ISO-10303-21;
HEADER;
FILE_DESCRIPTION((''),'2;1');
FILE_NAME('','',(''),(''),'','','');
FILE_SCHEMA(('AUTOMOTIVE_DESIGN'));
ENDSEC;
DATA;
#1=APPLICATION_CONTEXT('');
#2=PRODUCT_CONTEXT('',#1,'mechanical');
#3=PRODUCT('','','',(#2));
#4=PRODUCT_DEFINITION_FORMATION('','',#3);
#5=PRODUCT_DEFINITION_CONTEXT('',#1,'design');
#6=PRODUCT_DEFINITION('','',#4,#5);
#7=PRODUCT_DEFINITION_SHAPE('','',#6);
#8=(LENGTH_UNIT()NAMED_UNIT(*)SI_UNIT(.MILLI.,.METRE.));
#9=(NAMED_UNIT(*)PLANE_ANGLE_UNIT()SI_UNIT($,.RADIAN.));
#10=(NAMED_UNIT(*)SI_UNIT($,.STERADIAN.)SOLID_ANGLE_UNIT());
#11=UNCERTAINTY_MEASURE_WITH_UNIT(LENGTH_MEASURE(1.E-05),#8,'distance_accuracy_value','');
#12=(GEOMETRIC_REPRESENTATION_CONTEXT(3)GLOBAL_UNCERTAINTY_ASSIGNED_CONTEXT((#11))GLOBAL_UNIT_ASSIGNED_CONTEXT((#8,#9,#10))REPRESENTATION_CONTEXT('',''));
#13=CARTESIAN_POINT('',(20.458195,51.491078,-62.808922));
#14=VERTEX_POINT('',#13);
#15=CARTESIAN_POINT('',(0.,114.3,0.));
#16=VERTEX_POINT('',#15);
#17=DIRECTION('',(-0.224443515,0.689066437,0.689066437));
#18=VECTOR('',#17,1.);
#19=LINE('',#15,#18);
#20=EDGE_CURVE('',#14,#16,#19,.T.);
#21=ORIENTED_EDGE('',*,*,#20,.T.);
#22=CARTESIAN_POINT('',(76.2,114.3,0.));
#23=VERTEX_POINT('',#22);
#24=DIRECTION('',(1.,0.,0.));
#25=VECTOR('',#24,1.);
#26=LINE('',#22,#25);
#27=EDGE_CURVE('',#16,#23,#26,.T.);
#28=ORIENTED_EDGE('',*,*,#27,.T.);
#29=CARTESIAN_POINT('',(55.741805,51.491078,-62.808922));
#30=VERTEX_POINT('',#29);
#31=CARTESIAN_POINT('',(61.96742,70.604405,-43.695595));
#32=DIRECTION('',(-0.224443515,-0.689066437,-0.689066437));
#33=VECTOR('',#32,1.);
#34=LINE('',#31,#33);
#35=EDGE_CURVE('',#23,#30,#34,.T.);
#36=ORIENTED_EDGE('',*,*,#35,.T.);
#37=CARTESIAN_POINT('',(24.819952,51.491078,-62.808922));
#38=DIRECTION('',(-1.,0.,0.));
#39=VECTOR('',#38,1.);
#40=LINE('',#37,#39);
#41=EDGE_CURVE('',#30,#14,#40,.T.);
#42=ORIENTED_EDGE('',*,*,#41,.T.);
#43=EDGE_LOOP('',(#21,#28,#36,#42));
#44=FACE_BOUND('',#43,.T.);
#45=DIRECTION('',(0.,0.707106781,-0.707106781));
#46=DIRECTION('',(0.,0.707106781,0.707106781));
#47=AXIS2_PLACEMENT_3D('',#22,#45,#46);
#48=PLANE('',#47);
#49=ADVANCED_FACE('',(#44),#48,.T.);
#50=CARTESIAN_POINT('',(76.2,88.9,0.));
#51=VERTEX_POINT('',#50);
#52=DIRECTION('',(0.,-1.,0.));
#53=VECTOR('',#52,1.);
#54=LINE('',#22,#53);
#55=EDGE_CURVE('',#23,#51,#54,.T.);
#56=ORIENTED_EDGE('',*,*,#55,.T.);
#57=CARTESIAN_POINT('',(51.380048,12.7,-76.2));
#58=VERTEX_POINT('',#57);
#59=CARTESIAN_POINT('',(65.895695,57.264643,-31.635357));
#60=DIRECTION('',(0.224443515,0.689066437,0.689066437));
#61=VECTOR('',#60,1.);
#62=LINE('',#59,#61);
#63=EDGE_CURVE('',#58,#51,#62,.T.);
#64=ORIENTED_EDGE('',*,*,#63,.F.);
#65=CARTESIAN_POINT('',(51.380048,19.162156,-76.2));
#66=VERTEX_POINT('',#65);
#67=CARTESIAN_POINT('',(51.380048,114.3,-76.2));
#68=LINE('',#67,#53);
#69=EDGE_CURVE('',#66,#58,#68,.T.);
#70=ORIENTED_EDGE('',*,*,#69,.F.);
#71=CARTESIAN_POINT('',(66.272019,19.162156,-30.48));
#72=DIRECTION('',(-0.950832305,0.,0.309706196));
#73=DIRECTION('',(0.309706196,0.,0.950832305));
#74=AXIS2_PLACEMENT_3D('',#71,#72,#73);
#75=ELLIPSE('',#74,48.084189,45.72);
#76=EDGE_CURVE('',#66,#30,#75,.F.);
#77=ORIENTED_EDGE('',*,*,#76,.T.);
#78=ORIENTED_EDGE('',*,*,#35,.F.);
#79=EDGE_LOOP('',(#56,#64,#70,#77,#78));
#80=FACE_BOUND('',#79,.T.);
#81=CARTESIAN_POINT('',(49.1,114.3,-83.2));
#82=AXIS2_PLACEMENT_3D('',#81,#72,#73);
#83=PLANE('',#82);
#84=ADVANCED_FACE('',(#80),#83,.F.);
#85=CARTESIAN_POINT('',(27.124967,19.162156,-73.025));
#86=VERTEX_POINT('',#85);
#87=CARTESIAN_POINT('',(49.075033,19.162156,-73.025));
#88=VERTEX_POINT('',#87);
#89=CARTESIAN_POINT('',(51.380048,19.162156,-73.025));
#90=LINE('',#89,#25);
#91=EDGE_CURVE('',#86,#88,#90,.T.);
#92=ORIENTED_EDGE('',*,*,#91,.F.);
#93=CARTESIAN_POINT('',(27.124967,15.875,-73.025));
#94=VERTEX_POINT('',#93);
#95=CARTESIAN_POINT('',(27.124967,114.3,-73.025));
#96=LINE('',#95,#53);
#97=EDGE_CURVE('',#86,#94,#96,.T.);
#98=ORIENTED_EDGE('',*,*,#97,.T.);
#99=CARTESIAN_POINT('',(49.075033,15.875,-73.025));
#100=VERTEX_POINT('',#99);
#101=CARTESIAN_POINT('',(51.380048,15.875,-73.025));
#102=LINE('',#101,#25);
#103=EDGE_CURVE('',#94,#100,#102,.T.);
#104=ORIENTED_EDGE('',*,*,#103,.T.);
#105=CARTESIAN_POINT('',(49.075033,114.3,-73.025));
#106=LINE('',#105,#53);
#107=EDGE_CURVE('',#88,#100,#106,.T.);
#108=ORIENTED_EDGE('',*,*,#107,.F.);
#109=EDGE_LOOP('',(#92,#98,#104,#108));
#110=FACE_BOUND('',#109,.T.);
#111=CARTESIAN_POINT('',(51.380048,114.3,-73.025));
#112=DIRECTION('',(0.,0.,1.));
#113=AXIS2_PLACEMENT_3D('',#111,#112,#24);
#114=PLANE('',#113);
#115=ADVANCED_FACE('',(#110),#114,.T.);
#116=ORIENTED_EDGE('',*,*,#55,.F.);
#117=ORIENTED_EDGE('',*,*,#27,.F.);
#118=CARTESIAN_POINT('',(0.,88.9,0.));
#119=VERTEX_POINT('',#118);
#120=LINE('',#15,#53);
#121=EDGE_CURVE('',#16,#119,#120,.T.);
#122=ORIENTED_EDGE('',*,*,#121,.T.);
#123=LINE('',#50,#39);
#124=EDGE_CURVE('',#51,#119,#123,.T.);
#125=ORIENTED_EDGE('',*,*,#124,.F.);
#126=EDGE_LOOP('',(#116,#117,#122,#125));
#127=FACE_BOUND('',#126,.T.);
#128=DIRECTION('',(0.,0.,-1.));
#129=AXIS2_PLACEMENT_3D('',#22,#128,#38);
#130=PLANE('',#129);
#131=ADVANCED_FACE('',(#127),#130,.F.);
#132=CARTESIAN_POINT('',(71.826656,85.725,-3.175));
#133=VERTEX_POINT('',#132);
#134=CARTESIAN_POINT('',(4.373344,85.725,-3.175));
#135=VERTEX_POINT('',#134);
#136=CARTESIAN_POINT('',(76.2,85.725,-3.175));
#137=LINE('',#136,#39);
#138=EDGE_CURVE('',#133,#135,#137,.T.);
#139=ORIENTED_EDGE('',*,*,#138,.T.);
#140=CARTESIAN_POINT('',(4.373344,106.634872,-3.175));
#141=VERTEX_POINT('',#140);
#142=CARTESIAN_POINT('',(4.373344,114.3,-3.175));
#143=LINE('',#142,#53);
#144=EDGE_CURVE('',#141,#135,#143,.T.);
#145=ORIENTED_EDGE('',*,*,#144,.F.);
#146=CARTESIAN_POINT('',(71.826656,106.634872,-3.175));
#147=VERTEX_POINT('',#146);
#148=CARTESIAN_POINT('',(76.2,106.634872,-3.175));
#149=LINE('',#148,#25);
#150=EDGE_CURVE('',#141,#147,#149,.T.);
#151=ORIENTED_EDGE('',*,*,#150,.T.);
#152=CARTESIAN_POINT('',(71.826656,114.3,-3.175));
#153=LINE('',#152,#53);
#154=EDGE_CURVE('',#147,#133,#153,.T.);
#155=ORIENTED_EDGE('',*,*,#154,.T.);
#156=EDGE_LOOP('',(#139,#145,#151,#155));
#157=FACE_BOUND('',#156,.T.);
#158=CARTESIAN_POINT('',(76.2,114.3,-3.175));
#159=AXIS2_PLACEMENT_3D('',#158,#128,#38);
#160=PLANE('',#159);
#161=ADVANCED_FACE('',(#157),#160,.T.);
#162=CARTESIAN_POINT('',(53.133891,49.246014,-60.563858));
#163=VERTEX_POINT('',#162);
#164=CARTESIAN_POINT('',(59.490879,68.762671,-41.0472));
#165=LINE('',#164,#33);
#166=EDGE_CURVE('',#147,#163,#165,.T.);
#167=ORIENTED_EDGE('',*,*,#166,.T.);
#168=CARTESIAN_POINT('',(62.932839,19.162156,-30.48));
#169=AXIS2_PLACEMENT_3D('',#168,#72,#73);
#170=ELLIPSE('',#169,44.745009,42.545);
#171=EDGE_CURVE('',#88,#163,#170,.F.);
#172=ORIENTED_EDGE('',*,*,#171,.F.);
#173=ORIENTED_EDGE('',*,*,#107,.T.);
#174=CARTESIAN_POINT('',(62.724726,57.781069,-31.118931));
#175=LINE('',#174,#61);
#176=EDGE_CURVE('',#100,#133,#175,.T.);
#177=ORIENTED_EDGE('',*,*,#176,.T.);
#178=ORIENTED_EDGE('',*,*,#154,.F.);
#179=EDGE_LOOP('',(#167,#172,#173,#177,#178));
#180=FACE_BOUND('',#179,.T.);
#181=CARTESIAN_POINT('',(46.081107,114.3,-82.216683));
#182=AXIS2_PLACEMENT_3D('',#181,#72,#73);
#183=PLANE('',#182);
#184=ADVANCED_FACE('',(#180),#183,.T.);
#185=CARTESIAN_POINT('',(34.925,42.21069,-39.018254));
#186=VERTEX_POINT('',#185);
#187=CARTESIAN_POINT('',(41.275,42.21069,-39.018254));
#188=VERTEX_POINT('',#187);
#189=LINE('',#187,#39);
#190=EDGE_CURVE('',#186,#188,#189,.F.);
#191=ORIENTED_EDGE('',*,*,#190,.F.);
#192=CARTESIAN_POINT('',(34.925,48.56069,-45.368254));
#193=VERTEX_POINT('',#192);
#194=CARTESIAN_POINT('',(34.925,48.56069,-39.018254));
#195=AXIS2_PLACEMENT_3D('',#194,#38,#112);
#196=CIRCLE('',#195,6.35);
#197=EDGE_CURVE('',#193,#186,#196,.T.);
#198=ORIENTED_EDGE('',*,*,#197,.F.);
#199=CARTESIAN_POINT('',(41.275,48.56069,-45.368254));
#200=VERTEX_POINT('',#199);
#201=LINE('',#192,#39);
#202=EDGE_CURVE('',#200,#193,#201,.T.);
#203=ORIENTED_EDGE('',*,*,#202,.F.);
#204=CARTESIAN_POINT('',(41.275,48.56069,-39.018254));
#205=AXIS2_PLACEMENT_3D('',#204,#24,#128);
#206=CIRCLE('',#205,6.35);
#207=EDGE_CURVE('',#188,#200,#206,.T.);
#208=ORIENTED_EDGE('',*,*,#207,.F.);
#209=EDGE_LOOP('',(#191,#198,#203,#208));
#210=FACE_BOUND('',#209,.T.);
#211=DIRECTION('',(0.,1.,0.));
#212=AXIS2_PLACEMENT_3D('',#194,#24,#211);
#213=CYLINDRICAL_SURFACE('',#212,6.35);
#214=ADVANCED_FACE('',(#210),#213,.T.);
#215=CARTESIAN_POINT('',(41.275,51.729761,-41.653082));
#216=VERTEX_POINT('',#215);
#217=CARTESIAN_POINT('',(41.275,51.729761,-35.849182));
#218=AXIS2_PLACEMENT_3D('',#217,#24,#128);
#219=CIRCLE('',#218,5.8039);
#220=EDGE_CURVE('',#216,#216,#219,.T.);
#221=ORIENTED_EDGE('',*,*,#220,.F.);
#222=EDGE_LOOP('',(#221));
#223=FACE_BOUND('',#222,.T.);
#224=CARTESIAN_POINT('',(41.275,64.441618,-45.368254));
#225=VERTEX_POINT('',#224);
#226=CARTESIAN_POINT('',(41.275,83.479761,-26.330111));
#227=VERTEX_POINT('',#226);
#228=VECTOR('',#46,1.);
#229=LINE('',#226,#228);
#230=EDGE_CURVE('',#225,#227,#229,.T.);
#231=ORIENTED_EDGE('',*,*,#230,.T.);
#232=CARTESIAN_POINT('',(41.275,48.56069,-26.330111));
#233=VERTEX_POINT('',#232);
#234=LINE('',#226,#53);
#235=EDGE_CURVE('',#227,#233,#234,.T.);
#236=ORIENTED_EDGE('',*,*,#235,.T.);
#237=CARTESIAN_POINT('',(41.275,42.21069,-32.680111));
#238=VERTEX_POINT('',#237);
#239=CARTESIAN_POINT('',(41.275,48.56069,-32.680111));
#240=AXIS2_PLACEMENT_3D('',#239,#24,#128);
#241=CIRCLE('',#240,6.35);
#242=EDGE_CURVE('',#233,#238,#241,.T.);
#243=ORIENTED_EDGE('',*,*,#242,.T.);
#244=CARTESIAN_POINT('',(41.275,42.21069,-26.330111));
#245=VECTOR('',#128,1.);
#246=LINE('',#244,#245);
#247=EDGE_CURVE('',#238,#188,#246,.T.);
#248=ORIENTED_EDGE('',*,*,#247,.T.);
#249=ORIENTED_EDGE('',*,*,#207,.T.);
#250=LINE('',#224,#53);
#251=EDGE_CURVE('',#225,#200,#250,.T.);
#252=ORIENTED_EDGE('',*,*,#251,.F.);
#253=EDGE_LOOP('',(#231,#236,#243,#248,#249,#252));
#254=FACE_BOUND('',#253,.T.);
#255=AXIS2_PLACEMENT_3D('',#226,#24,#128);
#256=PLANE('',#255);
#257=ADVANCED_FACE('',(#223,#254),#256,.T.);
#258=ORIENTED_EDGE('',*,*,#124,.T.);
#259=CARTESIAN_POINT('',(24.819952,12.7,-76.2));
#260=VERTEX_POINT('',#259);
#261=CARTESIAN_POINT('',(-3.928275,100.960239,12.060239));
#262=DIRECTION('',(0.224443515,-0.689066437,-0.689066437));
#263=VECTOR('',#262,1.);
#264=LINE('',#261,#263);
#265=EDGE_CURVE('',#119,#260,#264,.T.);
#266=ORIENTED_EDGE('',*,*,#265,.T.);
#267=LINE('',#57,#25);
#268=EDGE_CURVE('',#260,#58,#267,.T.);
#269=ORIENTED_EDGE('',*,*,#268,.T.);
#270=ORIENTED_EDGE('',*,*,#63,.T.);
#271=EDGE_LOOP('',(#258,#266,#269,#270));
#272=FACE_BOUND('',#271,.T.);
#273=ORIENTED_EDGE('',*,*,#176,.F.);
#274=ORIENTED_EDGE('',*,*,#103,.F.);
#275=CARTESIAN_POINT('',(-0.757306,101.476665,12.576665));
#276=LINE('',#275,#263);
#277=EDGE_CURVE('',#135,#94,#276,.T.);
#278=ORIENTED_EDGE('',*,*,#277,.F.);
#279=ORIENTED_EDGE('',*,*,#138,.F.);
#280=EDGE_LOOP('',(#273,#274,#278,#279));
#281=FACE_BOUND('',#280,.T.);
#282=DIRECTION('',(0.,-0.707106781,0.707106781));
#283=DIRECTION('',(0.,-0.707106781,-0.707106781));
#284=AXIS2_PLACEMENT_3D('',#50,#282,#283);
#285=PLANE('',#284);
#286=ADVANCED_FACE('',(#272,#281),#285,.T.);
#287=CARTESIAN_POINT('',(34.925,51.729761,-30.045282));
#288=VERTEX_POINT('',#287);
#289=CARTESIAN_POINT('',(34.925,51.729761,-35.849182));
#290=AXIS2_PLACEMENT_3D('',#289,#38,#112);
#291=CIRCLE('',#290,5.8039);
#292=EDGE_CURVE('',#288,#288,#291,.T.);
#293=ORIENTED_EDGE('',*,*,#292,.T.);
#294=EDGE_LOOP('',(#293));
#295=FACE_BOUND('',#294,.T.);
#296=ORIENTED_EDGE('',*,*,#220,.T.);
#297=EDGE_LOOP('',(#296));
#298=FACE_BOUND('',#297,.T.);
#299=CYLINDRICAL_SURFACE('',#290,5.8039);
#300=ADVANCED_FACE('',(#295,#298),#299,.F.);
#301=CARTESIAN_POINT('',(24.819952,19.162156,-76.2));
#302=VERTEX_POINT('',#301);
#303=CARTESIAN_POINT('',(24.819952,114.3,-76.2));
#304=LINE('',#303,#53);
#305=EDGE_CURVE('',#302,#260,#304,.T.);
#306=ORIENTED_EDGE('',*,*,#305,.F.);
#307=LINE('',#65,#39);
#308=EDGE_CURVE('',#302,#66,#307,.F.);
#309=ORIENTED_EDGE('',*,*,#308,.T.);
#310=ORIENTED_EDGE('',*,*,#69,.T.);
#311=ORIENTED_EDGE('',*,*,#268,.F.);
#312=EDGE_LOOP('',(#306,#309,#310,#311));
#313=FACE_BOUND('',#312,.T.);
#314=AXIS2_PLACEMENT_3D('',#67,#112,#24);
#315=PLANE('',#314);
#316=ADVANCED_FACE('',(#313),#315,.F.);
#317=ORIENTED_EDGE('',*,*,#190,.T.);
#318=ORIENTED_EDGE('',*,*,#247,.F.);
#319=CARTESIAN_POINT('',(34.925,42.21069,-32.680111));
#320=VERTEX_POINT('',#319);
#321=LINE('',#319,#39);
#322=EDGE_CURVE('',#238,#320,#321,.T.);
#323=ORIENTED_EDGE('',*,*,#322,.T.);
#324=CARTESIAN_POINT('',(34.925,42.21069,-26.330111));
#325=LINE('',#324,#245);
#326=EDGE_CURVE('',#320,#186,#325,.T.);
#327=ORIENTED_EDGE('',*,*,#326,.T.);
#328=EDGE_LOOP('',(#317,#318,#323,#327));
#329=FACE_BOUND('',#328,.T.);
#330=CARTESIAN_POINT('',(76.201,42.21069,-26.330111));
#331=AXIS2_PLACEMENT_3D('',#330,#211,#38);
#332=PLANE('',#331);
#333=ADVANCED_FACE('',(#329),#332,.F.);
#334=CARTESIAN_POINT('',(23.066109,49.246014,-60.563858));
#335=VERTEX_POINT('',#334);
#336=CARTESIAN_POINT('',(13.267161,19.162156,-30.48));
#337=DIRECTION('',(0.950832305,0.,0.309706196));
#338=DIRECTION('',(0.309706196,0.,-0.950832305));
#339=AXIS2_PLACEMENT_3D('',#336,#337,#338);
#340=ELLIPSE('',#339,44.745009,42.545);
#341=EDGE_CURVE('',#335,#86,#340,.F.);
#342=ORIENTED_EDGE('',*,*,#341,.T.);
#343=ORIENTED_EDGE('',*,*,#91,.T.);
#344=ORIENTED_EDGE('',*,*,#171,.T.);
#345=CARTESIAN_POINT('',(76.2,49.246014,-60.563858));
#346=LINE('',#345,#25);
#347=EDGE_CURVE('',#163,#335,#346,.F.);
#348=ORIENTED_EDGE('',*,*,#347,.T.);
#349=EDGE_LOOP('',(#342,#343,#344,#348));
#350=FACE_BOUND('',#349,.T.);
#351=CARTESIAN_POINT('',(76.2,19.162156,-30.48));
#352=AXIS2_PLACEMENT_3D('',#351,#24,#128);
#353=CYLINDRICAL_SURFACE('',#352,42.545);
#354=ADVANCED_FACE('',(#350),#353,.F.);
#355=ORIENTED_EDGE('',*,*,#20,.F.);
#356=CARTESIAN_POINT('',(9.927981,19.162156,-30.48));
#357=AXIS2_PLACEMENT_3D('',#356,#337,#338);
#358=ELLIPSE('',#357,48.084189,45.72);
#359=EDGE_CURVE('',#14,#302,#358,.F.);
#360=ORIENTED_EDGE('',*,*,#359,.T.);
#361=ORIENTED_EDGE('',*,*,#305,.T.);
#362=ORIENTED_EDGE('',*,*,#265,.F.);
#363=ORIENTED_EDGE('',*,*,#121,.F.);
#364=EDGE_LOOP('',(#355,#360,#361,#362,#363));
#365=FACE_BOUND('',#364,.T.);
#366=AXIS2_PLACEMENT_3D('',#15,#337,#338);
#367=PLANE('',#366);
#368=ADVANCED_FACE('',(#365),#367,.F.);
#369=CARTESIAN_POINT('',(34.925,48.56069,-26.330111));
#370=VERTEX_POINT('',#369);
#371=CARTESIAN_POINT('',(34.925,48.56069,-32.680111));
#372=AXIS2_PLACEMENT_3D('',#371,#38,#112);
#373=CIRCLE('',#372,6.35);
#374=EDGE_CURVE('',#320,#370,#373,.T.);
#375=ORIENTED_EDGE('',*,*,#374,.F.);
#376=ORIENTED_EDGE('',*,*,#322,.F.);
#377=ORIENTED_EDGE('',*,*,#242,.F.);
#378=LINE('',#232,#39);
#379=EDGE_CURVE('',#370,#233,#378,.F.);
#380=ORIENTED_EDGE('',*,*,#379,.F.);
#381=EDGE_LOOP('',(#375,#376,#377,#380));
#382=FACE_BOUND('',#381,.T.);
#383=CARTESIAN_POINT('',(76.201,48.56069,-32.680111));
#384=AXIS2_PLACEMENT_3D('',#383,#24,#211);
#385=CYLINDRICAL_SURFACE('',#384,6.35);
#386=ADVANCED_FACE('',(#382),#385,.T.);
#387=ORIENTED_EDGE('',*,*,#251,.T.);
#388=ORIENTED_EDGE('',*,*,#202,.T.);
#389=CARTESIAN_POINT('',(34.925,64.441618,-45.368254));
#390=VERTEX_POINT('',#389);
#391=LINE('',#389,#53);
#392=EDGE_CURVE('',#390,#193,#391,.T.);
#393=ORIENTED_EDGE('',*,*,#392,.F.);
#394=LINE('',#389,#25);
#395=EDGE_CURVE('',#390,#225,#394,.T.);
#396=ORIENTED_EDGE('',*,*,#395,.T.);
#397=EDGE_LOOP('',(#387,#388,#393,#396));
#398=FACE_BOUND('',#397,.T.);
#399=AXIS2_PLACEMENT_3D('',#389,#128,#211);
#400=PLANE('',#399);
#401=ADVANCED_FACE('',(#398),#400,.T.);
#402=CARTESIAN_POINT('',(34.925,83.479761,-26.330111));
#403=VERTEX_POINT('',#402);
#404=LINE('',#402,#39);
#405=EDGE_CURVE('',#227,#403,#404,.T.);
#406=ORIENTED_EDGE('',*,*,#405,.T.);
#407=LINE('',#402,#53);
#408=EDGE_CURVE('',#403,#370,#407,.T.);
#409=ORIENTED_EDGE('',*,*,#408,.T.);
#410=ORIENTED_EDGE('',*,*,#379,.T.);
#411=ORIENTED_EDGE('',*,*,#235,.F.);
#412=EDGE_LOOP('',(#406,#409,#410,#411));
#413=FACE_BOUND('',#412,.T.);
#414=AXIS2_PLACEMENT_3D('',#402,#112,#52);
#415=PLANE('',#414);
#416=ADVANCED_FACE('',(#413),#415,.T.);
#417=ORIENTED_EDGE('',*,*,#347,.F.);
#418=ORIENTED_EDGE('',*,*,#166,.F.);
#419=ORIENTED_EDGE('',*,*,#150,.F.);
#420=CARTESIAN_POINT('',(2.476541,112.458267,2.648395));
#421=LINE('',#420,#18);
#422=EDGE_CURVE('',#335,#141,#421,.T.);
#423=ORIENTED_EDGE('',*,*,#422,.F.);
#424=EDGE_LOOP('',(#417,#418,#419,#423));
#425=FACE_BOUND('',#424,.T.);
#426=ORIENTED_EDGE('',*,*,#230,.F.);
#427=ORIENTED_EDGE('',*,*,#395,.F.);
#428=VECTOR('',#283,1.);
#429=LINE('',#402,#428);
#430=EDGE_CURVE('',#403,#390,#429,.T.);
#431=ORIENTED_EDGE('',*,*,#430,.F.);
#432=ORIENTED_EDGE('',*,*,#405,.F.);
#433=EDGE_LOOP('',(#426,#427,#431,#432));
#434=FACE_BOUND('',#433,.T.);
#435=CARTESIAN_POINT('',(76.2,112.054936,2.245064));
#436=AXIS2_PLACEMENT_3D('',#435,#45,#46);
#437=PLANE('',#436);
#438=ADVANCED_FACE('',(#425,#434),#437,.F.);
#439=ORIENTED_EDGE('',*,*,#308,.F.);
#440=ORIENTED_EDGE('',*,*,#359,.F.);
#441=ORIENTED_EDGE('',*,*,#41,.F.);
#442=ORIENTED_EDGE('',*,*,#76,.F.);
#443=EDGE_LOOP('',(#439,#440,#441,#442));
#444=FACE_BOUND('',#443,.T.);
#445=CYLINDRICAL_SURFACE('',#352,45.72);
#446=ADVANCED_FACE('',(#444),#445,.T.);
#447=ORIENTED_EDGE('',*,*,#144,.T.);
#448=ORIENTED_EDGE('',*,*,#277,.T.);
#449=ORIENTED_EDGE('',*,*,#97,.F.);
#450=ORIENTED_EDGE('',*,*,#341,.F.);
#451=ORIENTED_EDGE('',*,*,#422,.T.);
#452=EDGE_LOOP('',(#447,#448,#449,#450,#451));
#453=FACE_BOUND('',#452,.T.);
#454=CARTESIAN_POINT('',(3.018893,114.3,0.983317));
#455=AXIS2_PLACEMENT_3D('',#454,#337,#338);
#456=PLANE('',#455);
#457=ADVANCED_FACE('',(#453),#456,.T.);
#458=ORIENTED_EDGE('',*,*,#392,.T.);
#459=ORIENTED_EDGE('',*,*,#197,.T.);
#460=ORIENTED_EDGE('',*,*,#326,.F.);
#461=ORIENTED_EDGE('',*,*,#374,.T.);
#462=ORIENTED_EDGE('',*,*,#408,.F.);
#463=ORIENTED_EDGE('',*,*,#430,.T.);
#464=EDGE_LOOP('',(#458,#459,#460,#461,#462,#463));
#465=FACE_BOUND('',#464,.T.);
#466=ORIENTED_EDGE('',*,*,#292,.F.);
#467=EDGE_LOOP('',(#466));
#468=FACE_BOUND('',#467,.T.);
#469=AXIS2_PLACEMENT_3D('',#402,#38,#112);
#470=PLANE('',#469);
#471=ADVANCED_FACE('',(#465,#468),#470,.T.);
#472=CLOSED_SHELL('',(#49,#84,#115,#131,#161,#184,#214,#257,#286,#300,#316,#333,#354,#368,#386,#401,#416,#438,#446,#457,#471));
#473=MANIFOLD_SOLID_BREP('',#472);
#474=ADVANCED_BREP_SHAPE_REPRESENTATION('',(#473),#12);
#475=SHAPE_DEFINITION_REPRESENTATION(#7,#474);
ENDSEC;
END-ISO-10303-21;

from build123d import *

# Parameters (mm, degrees)
BOSS_EXTRUDE1_DEPTH            = 114.3
CUT_EXTRUDE2_DEPTH             = 161.602521773
CUT_EXTRUDE1_DEPTH             = 158.090324336
FILLET1_R                      = 45.72
SHELL1_T                       = -3.175
SKETCH6_W                      = 6.35
SKETCH6_H                      = 26.924
CUT_EXTRUDE3_REACH             = 145.438
F_1_16_0_457_DOWEL_HOLE1_D     = 11.6078
F_1_16_0_457_DOWEL_HOLE1_DEPTH = 6.35
FILLET2_R                      = 6.35


with BuildPart() as part:
    # Sketch1 → Boss-Extrude1 (new body)
    with BuildSketch(Plane(origin=(0, 0, 0), x_dir=(1, 0, 0), z_dir=(0, 1, 0))):
        Polygon((0, 0), (27.1, 83.2), (49.1, 83.2), (76.2, 0), align=None)
    extrude(amount=BOSS_EXTRUDE1_DEPTH)

    # Sketch5 → Cut-Extrude2 (cut, through all)
    with BuildSketch(Plane.XZ):
        Polygon((49.1, -83.2), (51.380048077, -76.2), (24.819951923, -76.2), (27.1, -83.2), align=None)
    extrude(amount=-CUT_EXTRUDE2_DEPTH, mode=Mode.SUBTRACT)

    # Sketch2 → Cut-Extrude1 (cut, through all)
    with BuildSketch(Plane(origin=(0, 0, 0), x_dir=(0, 0, -1), z_dir=(1, 0, 0))):
        Polygon((0, 114.3), (76.2, 38.1), (76.2, 114.3), align=None)
        Polygon((0, 88.9), (76.2, 12.7), (76.2, 0), (0, 0), align=None)
    extrude(amount=CUT_EXTRUDE1_DEPTH, mode=Mode.SUBTRACT)

    # Fillet1
    fillet1_edges = [part.edges().sort_by_distance(p)[0] for p in [
        (38.1, 38.1, -76.2),
    ]]
    fillet(fillet1_edges, radius=FILLET1_R)

    # Shell1
    shell1_openings = [part.faces().sort_by_distance(p)[0] for p in [
        (38.1, 56.934937611, -31.965062389),
    ]]
    offset(amount=SHELL1_T, openings=shell1_openings, kind=Kind.INTERSECTION)

    # Sweep1: sweep along a path in Sketch7
    with BuildLine(Plane.ZY.offset(-38.1)) as sweep1_path:
        Line((-35.849182435, 73.960689504), (-35.849182435, 23.160689504))
    # Sketch6 → Sweep1 (sweep)
    with BuildSketch(Plane(origin=(0, 54.90493597, -54.90493597), x_dir=(1, 0, 0), z_dir=(0, -0.7071067811865517, 0.7071067811865434))):
        with Locations((38.1, 26.94890509)):
            Rectangle(SKETCH6_W, SKETCH6_H)
    sweep(path=sweep1_path.line)

    # Sketch11 → Cut-Extrude3 (cut, up to next)
    with BuildSketch(Plane.ZY.offset(-34.925), mode=Mode.PRIVATE) as cut_extrude3_sk1:
        Polygon((-26.330110947, 42.210689504), (-45.368253924, 42.210689504), (-45.368253924, 13.641618016), (-26.330110947, 32.679760992), align=None)
    cut_extrude3_tool1 = extrude(cut_extrude3_sk1.sketch, amount=-CUT_EXTRUDE3_REACH, mode=Mode.PRIVATE) & part.part
    add(cut_extrude3_tool1.solids().sort_by_distance((34.925, 31.892927, -37.434707))[0], mode=Mode.SUBTRACT)

    # 1/16 (0.457) Dowel Hole1
    with Locations(Plane.ZY.offset(-34.925)):
        with Locations((-35.849182435, 51.729760992)):
            Hole(F_1_16_0_457_DOWEL_HOLE1_D / 2, depth=F_1_16_0_457_DOWEL_HOLE1_DEPTH)

    # Fillet2
    fillet2_edges = [part.edges().sort_by_distance(p)[0] for p in [
        (38.1, 42.210689504, -26.330110947),
        (38.1, 42.210689504, -45.368253924),
    ]]
    fillet(fillet2_edges, radius=FILLET2_R)


solid = part.part
